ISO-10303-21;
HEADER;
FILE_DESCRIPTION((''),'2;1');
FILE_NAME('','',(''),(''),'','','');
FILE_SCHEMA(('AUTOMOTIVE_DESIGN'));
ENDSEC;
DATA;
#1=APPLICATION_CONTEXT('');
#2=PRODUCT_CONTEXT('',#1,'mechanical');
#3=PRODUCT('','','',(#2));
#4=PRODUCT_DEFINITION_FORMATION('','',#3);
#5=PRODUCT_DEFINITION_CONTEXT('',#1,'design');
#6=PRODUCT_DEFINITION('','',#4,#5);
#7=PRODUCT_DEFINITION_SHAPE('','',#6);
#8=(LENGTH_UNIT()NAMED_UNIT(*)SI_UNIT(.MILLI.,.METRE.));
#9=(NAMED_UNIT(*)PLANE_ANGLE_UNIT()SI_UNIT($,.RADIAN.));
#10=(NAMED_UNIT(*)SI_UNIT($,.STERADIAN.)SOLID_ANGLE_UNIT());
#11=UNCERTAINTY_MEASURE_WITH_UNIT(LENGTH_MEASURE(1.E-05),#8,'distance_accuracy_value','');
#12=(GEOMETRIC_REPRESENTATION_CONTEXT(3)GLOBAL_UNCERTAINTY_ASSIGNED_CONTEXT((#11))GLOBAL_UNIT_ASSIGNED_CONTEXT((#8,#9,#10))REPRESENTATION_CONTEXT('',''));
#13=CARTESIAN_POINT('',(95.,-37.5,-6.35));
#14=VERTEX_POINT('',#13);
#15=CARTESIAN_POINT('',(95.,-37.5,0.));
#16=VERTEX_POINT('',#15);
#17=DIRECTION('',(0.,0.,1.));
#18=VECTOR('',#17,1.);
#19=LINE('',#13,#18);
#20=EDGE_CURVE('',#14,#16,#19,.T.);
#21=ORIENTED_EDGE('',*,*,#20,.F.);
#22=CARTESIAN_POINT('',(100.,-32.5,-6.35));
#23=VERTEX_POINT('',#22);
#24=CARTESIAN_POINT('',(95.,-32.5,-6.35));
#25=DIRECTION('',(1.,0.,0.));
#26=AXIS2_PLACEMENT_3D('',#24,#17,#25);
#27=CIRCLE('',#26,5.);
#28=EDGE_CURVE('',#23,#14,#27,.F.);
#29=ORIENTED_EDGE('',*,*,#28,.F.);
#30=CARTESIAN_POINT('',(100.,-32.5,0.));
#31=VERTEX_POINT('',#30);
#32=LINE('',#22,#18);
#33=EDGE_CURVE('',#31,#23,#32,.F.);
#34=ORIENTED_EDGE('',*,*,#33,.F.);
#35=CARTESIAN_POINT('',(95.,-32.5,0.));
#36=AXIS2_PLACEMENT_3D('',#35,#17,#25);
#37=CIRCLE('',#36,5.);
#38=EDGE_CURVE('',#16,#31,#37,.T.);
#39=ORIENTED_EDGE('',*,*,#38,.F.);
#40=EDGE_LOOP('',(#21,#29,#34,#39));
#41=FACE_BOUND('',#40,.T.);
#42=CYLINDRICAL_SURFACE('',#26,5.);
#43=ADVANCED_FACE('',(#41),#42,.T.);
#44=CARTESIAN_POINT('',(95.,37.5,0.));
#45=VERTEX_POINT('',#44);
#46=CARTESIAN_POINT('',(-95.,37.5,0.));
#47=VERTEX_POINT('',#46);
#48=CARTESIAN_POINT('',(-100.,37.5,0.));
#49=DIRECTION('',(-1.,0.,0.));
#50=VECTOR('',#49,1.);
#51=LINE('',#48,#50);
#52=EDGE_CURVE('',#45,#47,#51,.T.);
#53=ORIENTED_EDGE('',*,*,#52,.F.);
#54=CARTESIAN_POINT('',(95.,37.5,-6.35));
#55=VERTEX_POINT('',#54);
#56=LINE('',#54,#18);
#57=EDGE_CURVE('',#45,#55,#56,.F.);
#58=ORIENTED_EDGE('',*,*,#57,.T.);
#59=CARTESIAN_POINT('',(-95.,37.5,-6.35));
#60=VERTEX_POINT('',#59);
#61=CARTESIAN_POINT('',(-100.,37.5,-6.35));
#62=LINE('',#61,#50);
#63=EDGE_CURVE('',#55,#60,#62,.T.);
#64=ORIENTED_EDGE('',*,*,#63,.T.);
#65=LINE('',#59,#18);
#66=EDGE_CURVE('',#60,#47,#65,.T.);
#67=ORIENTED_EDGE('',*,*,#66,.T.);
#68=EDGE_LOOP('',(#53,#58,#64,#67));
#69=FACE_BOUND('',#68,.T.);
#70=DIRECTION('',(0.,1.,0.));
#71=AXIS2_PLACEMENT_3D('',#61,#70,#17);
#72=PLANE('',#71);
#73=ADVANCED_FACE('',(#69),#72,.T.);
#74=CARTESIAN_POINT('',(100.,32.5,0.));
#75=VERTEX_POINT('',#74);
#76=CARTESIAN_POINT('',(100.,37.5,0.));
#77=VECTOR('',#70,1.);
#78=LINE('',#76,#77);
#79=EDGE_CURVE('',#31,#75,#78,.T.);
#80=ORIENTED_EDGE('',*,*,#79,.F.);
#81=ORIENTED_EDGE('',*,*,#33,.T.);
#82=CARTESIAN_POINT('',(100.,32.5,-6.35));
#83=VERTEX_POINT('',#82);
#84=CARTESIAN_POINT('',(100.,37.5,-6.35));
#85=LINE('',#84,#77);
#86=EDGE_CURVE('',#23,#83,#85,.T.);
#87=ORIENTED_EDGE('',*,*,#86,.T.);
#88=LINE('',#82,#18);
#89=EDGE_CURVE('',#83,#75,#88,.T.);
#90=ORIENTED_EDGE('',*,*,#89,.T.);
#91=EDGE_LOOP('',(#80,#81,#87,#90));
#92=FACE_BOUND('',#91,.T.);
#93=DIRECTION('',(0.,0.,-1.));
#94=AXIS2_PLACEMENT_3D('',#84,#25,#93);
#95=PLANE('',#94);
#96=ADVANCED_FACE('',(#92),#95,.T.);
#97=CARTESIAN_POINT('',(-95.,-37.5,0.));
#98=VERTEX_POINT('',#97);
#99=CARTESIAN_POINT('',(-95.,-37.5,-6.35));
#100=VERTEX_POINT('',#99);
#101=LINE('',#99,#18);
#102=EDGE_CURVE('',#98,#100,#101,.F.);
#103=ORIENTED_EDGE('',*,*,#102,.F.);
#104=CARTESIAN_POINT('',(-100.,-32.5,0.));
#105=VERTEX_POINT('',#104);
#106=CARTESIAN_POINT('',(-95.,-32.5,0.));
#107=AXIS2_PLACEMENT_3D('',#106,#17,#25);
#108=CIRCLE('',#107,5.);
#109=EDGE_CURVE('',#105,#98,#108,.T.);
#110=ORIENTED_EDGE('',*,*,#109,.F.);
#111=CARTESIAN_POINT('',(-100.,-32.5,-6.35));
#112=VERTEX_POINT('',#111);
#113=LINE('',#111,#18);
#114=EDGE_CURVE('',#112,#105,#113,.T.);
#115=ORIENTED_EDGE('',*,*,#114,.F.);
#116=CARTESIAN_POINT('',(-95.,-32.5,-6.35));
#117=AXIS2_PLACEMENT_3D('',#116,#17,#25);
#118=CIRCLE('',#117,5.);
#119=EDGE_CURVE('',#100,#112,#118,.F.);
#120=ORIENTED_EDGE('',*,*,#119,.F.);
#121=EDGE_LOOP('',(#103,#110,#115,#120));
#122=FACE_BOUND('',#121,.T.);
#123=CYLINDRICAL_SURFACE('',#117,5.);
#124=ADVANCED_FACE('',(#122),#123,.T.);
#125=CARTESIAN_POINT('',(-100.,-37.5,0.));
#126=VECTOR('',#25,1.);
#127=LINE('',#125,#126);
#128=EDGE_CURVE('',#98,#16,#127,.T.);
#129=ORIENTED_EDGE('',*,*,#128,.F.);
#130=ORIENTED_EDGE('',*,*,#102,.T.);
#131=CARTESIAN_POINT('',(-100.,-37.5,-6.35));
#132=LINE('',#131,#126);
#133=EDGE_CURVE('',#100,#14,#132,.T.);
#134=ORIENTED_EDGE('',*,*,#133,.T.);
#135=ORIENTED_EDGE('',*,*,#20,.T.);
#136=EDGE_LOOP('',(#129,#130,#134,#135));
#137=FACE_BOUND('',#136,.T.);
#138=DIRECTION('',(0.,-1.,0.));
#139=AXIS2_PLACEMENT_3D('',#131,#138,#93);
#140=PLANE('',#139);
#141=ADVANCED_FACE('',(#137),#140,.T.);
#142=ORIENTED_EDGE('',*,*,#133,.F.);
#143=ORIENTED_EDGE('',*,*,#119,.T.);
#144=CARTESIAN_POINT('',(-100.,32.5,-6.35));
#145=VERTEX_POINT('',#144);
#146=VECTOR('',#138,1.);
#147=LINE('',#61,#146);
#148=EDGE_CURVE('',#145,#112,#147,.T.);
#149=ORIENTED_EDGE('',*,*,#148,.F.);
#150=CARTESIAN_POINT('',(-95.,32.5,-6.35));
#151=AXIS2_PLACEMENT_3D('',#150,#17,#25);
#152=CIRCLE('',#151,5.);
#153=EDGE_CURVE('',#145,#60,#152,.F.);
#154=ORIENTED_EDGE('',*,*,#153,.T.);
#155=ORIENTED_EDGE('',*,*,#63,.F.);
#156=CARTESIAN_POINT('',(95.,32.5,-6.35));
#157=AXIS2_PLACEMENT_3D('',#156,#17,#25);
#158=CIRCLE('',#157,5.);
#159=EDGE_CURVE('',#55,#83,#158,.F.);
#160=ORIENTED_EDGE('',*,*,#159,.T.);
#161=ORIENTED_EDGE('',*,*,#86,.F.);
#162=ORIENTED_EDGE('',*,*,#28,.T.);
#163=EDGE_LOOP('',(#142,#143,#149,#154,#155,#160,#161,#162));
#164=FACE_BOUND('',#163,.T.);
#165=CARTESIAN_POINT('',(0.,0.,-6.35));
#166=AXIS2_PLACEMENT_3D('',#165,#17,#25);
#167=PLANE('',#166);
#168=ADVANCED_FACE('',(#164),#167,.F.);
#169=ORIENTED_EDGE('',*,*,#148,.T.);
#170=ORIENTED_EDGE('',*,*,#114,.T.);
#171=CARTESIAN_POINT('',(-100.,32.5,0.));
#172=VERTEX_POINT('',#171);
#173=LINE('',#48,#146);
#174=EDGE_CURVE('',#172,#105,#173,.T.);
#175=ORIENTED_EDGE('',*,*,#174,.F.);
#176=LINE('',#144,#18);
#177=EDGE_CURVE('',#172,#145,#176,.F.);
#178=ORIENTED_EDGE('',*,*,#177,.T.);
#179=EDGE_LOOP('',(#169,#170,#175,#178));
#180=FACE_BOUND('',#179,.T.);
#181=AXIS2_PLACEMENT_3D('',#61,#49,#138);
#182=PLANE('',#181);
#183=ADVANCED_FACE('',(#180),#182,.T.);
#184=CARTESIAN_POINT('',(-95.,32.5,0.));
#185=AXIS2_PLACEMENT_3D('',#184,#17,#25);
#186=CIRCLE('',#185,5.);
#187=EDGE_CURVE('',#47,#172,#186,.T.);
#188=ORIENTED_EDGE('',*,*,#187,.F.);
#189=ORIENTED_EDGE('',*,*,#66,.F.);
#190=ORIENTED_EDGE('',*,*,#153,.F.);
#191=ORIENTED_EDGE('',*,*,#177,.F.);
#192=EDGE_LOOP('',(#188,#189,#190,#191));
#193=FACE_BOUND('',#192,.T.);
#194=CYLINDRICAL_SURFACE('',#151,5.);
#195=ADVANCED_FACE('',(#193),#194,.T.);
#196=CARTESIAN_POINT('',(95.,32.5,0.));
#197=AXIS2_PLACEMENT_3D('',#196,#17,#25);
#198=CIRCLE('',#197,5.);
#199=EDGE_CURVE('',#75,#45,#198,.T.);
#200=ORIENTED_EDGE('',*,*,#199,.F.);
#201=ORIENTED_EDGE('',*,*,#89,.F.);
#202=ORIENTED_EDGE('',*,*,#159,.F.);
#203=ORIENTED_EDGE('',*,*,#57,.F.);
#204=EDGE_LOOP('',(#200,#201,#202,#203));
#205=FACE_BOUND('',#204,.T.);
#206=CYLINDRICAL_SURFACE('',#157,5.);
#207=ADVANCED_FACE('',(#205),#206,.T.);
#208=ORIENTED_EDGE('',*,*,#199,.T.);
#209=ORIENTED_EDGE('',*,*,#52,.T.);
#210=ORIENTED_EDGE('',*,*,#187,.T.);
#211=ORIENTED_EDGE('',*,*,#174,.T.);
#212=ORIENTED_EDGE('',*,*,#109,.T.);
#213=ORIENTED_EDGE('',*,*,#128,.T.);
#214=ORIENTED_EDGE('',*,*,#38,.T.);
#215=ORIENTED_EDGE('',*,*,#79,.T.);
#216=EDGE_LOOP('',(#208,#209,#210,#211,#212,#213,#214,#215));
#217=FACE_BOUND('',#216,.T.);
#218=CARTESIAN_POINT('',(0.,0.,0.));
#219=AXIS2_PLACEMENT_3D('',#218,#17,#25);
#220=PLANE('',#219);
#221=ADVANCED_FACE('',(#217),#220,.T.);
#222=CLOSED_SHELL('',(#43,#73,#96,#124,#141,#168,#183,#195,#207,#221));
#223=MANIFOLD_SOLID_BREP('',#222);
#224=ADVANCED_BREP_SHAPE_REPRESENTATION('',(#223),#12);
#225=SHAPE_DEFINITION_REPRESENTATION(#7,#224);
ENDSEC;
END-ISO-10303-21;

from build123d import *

# Parameters (mm, degrees)
SKETCH1_W           = 200
SKETCH1_H           = 75
BOSS_EXTRUDE1_DEPTH = 6.35
FILLET1_R           = 5


with BuildPart() as part:
    # Sketch1 → Boss-Extrude1 (new body)
    with BuildSketch(Plane.XY):
        Rectangle(SKETCH1_W, SKETCH1_H)
    extrude(amount=-BOSS_EXTRUDE1_DEPTH)

    # Fillet1
    fillet1_edges = [part.edges().sort_by_distance(p)[0] for p in [
        (100, -37.5, -3.175),
        (-100, -37.5, -3.175),
        (-100, 37.5, -3.175),
        (100, 37.5, -3.175),
    ]]
    fillet(fillet1_edges, radius=FILLET1_R)


solid = part.part
